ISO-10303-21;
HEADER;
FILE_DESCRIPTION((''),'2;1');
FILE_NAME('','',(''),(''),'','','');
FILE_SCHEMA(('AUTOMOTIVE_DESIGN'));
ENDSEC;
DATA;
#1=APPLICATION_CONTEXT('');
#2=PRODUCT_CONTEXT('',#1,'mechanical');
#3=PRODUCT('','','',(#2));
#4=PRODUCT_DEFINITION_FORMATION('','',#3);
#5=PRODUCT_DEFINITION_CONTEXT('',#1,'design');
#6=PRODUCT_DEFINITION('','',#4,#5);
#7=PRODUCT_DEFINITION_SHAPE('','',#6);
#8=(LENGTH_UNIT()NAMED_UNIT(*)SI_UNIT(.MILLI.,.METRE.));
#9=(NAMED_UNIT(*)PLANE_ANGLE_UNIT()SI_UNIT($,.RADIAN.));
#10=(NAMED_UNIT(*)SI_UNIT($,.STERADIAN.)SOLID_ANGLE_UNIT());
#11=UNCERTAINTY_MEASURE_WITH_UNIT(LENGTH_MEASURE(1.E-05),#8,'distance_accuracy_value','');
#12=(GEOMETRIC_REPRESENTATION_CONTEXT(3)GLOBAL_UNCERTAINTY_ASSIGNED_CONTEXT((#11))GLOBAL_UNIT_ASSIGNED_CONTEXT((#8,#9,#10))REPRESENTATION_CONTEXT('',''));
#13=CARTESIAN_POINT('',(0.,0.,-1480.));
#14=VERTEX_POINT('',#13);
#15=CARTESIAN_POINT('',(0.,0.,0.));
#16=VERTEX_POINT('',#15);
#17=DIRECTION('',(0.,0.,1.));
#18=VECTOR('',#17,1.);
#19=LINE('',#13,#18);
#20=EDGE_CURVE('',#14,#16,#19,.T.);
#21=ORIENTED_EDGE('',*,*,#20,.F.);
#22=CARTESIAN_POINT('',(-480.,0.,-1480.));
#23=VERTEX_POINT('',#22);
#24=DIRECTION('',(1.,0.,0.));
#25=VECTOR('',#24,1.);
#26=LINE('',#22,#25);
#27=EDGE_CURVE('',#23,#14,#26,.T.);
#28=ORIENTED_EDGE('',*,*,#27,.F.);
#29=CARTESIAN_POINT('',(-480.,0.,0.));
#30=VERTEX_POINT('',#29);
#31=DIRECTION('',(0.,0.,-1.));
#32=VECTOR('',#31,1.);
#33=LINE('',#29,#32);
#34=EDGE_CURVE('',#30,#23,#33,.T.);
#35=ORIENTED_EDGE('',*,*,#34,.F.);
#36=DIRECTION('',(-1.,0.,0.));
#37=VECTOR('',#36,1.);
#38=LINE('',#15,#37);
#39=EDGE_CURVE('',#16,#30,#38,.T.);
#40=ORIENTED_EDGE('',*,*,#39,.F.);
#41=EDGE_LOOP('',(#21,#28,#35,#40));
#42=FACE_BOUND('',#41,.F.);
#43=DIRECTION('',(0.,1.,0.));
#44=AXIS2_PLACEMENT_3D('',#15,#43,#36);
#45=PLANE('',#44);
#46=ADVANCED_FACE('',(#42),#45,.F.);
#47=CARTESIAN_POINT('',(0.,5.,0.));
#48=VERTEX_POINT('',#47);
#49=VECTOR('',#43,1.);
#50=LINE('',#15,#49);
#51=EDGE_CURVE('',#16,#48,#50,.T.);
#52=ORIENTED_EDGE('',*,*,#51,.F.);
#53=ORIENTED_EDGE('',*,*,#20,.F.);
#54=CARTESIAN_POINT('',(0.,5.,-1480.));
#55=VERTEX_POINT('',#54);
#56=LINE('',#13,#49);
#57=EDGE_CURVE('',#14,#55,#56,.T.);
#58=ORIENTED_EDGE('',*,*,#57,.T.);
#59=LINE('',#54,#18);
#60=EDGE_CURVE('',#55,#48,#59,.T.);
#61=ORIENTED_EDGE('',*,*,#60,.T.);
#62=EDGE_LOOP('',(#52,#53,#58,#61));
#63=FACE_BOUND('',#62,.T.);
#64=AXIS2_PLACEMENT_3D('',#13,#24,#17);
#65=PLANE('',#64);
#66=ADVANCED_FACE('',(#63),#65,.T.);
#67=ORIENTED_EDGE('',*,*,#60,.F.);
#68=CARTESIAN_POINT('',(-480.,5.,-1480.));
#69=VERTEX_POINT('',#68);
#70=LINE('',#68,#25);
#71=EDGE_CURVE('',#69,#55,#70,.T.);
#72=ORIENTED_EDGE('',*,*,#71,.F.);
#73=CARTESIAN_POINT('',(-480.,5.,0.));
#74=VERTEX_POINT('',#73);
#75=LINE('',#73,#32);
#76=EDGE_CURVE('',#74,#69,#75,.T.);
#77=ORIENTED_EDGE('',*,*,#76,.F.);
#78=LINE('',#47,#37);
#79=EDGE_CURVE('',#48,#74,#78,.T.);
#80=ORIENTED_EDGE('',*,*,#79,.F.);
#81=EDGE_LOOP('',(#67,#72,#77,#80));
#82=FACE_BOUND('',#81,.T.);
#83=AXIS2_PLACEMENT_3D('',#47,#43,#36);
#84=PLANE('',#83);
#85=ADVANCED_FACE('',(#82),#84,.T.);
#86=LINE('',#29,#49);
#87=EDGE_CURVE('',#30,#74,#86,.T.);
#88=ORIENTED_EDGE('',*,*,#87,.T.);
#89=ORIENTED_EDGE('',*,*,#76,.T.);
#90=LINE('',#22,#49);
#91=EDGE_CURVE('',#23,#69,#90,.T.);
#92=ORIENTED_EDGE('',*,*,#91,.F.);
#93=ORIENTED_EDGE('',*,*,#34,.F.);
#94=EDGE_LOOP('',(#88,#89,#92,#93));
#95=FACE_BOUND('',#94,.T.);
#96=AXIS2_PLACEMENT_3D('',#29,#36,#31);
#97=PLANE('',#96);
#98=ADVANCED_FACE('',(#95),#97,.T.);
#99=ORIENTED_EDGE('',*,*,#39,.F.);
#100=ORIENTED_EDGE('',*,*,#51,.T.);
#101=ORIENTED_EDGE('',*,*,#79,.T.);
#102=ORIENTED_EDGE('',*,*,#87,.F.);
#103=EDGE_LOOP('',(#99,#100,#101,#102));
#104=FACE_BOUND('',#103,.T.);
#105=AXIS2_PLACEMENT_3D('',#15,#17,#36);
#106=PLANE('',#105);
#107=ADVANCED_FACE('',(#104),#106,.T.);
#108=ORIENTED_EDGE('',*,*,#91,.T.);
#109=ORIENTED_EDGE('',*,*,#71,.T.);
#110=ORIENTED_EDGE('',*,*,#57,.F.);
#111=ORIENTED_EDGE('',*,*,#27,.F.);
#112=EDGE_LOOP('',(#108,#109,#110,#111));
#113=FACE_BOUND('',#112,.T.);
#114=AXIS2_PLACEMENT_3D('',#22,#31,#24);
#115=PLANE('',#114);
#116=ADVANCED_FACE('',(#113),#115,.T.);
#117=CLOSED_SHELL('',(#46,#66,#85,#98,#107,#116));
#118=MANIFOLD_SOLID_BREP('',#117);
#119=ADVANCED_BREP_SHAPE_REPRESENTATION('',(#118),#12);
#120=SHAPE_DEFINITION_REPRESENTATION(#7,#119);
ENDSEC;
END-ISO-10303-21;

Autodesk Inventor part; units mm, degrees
ref_plane "YZ Plane" through (0, 0, 0) normal (1, 0, 0) x (0, 1, 0)
ref_plane "XZ Plane" through (0, 0, 0) normal (0, 1, 0) x (-1, 0, 0)
ref_plane "XY Plane" through (0, 0, 0) normal (0, 0, 1) x (1, 0, 0)
sketch "Sketch1" plane through (0, 0, 0) normal (0, 1, 0) x (-1, 0, 0)
  line L0 (0, 0) -> (480, 0)
  line L1 (480, 0) -> (480, -1480)
  line L2 (480, -1480) -> (0, -1480)
  line L3 (0, -1480) -> (0, 0)
  dimension "d0" = 480
  dimension "d1" = 1480
extrude "Extrusion1" add sketch "Sketch1" along normal blind 5
properties part number "roof" material "Aluminum 6061"
